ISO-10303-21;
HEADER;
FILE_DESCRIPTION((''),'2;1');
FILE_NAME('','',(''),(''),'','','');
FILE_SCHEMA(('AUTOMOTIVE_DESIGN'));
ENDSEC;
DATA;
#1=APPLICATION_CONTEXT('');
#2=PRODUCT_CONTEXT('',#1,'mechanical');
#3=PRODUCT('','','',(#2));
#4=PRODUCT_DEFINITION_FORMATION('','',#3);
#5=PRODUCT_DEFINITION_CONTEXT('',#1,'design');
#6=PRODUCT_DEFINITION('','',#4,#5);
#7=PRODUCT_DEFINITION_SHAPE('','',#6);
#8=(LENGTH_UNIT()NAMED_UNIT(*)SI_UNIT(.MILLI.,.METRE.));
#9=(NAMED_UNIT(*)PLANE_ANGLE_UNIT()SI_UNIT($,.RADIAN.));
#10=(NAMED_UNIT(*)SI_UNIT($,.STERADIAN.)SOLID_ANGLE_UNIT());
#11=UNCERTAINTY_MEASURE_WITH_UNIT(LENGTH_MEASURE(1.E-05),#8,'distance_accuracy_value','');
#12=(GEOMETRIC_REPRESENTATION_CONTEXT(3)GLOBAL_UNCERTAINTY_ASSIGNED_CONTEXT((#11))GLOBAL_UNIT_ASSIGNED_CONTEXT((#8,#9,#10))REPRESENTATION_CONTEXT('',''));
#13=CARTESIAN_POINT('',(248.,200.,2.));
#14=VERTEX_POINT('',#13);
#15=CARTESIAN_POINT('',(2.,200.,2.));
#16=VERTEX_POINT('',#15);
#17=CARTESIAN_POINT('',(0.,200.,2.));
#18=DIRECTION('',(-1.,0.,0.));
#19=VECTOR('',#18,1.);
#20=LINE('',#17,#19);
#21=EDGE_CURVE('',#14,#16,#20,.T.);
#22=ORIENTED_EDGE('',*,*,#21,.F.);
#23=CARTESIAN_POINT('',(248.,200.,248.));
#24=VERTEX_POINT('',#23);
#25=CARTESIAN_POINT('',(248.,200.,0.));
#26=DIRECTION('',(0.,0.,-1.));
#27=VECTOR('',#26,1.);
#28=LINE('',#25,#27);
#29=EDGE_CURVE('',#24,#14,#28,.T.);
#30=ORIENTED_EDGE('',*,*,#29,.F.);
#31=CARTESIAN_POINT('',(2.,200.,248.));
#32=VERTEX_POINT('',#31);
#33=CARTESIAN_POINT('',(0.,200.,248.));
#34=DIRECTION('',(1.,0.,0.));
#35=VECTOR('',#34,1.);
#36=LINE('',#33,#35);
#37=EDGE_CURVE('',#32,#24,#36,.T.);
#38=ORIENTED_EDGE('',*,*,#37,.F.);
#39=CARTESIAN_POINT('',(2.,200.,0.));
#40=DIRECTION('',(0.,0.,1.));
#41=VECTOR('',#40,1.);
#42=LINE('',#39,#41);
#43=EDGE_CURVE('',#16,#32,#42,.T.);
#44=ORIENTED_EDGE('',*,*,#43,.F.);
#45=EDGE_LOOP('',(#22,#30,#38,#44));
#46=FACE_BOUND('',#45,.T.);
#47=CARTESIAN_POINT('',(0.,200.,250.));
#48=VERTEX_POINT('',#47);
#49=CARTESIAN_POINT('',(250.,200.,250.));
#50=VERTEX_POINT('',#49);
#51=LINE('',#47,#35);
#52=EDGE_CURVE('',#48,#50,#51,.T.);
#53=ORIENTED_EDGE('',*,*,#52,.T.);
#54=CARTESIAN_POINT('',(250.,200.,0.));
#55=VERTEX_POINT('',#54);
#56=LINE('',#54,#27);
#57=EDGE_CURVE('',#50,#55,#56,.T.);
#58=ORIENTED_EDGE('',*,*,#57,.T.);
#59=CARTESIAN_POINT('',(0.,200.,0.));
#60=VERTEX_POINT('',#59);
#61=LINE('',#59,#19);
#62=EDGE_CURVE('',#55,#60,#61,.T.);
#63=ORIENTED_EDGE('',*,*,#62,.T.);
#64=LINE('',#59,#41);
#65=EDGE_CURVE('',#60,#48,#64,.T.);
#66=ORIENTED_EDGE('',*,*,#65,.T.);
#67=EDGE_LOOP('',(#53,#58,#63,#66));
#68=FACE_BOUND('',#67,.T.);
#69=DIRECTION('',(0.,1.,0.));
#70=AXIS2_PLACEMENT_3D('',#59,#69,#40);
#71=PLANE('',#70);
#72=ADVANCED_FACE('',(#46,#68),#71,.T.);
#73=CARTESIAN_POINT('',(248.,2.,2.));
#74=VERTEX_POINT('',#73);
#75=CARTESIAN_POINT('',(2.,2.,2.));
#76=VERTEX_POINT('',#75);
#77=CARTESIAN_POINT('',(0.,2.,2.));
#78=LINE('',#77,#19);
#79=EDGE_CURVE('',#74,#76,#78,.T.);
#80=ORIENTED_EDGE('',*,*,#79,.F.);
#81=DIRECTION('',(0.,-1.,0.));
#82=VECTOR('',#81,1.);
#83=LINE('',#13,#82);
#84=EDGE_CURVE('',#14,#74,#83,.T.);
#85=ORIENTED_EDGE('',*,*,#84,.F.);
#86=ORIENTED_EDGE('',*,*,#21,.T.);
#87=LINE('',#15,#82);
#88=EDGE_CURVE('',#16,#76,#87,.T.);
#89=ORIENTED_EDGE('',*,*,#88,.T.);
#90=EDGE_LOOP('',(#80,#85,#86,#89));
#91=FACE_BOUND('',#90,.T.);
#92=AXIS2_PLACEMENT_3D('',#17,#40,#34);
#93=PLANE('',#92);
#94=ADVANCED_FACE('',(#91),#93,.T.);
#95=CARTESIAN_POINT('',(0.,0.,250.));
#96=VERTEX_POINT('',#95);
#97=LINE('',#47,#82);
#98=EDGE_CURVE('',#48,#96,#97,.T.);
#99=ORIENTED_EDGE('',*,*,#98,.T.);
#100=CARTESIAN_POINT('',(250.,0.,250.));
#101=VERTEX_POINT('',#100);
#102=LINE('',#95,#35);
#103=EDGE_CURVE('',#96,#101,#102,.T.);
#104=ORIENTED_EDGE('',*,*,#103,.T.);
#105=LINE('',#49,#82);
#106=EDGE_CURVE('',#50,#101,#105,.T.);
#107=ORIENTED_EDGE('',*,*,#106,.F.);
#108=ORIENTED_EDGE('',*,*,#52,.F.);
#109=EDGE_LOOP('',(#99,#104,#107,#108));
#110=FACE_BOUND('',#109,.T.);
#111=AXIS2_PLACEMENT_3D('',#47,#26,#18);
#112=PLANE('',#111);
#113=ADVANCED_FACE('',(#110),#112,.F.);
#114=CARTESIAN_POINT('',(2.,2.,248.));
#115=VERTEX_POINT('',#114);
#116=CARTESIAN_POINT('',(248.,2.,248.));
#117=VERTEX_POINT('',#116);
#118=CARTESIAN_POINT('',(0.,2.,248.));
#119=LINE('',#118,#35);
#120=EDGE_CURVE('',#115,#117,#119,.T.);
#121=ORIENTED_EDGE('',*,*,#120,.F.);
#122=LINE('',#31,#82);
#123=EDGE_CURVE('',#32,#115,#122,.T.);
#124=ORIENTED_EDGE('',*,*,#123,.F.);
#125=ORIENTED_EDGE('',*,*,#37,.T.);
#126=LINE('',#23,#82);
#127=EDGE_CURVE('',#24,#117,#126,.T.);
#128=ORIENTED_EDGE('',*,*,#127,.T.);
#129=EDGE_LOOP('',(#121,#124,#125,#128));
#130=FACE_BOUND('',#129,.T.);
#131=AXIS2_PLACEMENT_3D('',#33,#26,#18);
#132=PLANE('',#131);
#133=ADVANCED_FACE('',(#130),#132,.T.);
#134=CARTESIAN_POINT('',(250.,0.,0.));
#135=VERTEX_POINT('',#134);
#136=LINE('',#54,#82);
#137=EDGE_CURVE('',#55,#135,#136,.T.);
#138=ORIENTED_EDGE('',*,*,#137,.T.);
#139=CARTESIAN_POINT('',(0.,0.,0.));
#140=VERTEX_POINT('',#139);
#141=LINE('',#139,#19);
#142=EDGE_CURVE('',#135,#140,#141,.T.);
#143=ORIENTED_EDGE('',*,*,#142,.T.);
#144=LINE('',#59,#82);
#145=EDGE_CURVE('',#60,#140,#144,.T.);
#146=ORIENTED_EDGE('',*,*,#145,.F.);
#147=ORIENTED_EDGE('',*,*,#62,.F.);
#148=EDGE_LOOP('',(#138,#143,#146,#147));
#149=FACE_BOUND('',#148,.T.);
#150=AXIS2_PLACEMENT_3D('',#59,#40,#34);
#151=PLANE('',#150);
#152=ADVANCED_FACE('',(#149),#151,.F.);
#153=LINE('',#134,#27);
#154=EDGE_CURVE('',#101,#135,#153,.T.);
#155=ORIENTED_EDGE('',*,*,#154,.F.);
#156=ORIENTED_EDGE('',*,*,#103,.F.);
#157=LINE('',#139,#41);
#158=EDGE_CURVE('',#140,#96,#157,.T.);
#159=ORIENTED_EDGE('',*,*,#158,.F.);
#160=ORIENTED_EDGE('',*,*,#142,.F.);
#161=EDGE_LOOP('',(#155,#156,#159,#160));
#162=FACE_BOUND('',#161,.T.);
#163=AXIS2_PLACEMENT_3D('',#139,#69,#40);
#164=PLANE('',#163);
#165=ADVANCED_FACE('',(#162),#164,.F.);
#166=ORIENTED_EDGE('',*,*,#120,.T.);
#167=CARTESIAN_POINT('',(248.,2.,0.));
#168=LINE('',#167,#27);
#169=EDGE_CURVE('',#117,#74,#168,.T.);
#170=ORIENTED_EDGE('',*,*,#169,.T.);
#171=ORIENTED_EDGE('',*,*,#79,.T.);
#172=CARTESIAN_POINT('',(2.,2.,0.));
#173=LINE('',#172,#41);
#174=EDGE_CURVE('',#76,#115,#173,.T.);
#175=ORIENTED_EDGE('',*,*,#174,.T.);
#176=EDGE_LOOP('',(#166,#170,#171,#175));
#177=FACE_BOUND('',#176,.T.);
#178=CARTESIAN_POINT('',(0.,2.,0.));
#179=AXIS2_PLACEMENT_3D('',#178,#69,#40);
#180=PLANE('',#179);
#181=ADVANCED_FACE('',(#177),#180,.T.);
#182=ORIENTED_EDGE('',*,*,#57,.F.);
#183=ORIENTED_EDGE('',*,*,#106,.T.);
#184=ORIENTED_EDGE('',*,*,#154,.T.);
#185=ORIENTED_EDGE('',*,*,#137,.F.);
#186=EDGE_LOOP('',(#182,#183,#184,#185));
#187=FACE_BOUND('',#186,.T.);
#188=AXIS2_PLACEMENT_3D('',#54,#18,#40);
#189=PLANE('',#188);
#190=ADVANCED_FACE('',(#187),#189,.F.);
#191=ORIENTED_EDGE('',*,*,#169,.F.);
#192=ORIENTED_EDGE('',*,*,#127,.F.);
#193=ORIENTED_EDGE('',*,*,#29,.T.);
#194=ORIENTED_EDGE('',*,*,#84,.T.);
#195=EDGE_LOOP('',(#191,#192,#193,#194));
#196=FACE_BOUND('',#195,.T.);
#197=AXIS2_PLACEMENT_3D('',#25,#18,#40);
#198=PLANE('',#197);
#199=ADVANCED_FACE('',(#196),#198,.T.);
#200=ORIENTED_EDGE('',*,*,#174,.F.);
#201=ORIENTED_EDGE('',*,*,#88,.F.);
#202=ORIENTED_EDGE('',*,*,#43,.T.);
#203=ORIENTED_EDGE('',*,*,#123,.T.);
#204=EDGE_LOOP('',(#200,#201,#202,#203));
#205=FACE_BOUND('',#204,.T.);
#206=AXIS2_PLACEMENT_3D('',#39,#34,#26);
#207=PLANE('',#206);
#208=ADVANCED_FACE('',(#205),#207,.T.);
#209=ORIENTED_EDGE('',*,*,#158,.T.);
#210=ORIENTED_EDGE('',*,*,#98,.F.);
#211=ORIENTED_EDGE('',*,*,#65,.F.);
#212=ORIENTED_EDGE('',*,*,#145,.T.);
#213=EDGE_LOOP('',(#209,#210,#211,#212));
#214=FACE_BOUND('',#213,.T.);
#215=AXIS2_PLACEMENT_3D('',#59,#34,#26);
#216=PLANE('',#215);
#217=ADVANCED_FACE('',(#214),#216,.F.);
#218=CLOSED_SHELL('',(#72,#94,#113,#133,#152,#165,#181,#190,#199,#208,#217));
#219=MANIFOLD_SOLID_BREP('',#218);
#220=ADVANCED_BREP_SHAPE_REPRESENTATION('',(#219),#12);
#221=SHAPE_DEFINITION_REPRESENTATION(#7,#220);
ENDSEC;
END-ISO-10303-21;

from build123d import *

# Parameters (mm, degrees)
SKETCH1_W           = 250
SKETCH1_H           = 250
BOSS_EXTRUDE1_DEPTH = 200
SHELL1_T            = -2


with BuildPart() as part:
    # Sketch1 → Boss-Extrude1 (new body)
    with BuildSketch(Plane(origin=(0, 0, 0), x_dir=(1, 0, 0), z_dir=(0, 1, 0))):
        with Locations((125, -125)):
            Rectangle(SKETCH1_W, SKETCH1_H)
    extrude(amount=BOSS_EXTRUDE1_DEPTH)

    # Shell1
    shell1_openings = [part.faces().sort_by_distance(p)[0] for p in [
        (125, 200, 125),
    ]]
    offset(amount=SHELL1_T, openings=shell1_openings, kind=Kind.INTERSECTION)


solid = part.part
